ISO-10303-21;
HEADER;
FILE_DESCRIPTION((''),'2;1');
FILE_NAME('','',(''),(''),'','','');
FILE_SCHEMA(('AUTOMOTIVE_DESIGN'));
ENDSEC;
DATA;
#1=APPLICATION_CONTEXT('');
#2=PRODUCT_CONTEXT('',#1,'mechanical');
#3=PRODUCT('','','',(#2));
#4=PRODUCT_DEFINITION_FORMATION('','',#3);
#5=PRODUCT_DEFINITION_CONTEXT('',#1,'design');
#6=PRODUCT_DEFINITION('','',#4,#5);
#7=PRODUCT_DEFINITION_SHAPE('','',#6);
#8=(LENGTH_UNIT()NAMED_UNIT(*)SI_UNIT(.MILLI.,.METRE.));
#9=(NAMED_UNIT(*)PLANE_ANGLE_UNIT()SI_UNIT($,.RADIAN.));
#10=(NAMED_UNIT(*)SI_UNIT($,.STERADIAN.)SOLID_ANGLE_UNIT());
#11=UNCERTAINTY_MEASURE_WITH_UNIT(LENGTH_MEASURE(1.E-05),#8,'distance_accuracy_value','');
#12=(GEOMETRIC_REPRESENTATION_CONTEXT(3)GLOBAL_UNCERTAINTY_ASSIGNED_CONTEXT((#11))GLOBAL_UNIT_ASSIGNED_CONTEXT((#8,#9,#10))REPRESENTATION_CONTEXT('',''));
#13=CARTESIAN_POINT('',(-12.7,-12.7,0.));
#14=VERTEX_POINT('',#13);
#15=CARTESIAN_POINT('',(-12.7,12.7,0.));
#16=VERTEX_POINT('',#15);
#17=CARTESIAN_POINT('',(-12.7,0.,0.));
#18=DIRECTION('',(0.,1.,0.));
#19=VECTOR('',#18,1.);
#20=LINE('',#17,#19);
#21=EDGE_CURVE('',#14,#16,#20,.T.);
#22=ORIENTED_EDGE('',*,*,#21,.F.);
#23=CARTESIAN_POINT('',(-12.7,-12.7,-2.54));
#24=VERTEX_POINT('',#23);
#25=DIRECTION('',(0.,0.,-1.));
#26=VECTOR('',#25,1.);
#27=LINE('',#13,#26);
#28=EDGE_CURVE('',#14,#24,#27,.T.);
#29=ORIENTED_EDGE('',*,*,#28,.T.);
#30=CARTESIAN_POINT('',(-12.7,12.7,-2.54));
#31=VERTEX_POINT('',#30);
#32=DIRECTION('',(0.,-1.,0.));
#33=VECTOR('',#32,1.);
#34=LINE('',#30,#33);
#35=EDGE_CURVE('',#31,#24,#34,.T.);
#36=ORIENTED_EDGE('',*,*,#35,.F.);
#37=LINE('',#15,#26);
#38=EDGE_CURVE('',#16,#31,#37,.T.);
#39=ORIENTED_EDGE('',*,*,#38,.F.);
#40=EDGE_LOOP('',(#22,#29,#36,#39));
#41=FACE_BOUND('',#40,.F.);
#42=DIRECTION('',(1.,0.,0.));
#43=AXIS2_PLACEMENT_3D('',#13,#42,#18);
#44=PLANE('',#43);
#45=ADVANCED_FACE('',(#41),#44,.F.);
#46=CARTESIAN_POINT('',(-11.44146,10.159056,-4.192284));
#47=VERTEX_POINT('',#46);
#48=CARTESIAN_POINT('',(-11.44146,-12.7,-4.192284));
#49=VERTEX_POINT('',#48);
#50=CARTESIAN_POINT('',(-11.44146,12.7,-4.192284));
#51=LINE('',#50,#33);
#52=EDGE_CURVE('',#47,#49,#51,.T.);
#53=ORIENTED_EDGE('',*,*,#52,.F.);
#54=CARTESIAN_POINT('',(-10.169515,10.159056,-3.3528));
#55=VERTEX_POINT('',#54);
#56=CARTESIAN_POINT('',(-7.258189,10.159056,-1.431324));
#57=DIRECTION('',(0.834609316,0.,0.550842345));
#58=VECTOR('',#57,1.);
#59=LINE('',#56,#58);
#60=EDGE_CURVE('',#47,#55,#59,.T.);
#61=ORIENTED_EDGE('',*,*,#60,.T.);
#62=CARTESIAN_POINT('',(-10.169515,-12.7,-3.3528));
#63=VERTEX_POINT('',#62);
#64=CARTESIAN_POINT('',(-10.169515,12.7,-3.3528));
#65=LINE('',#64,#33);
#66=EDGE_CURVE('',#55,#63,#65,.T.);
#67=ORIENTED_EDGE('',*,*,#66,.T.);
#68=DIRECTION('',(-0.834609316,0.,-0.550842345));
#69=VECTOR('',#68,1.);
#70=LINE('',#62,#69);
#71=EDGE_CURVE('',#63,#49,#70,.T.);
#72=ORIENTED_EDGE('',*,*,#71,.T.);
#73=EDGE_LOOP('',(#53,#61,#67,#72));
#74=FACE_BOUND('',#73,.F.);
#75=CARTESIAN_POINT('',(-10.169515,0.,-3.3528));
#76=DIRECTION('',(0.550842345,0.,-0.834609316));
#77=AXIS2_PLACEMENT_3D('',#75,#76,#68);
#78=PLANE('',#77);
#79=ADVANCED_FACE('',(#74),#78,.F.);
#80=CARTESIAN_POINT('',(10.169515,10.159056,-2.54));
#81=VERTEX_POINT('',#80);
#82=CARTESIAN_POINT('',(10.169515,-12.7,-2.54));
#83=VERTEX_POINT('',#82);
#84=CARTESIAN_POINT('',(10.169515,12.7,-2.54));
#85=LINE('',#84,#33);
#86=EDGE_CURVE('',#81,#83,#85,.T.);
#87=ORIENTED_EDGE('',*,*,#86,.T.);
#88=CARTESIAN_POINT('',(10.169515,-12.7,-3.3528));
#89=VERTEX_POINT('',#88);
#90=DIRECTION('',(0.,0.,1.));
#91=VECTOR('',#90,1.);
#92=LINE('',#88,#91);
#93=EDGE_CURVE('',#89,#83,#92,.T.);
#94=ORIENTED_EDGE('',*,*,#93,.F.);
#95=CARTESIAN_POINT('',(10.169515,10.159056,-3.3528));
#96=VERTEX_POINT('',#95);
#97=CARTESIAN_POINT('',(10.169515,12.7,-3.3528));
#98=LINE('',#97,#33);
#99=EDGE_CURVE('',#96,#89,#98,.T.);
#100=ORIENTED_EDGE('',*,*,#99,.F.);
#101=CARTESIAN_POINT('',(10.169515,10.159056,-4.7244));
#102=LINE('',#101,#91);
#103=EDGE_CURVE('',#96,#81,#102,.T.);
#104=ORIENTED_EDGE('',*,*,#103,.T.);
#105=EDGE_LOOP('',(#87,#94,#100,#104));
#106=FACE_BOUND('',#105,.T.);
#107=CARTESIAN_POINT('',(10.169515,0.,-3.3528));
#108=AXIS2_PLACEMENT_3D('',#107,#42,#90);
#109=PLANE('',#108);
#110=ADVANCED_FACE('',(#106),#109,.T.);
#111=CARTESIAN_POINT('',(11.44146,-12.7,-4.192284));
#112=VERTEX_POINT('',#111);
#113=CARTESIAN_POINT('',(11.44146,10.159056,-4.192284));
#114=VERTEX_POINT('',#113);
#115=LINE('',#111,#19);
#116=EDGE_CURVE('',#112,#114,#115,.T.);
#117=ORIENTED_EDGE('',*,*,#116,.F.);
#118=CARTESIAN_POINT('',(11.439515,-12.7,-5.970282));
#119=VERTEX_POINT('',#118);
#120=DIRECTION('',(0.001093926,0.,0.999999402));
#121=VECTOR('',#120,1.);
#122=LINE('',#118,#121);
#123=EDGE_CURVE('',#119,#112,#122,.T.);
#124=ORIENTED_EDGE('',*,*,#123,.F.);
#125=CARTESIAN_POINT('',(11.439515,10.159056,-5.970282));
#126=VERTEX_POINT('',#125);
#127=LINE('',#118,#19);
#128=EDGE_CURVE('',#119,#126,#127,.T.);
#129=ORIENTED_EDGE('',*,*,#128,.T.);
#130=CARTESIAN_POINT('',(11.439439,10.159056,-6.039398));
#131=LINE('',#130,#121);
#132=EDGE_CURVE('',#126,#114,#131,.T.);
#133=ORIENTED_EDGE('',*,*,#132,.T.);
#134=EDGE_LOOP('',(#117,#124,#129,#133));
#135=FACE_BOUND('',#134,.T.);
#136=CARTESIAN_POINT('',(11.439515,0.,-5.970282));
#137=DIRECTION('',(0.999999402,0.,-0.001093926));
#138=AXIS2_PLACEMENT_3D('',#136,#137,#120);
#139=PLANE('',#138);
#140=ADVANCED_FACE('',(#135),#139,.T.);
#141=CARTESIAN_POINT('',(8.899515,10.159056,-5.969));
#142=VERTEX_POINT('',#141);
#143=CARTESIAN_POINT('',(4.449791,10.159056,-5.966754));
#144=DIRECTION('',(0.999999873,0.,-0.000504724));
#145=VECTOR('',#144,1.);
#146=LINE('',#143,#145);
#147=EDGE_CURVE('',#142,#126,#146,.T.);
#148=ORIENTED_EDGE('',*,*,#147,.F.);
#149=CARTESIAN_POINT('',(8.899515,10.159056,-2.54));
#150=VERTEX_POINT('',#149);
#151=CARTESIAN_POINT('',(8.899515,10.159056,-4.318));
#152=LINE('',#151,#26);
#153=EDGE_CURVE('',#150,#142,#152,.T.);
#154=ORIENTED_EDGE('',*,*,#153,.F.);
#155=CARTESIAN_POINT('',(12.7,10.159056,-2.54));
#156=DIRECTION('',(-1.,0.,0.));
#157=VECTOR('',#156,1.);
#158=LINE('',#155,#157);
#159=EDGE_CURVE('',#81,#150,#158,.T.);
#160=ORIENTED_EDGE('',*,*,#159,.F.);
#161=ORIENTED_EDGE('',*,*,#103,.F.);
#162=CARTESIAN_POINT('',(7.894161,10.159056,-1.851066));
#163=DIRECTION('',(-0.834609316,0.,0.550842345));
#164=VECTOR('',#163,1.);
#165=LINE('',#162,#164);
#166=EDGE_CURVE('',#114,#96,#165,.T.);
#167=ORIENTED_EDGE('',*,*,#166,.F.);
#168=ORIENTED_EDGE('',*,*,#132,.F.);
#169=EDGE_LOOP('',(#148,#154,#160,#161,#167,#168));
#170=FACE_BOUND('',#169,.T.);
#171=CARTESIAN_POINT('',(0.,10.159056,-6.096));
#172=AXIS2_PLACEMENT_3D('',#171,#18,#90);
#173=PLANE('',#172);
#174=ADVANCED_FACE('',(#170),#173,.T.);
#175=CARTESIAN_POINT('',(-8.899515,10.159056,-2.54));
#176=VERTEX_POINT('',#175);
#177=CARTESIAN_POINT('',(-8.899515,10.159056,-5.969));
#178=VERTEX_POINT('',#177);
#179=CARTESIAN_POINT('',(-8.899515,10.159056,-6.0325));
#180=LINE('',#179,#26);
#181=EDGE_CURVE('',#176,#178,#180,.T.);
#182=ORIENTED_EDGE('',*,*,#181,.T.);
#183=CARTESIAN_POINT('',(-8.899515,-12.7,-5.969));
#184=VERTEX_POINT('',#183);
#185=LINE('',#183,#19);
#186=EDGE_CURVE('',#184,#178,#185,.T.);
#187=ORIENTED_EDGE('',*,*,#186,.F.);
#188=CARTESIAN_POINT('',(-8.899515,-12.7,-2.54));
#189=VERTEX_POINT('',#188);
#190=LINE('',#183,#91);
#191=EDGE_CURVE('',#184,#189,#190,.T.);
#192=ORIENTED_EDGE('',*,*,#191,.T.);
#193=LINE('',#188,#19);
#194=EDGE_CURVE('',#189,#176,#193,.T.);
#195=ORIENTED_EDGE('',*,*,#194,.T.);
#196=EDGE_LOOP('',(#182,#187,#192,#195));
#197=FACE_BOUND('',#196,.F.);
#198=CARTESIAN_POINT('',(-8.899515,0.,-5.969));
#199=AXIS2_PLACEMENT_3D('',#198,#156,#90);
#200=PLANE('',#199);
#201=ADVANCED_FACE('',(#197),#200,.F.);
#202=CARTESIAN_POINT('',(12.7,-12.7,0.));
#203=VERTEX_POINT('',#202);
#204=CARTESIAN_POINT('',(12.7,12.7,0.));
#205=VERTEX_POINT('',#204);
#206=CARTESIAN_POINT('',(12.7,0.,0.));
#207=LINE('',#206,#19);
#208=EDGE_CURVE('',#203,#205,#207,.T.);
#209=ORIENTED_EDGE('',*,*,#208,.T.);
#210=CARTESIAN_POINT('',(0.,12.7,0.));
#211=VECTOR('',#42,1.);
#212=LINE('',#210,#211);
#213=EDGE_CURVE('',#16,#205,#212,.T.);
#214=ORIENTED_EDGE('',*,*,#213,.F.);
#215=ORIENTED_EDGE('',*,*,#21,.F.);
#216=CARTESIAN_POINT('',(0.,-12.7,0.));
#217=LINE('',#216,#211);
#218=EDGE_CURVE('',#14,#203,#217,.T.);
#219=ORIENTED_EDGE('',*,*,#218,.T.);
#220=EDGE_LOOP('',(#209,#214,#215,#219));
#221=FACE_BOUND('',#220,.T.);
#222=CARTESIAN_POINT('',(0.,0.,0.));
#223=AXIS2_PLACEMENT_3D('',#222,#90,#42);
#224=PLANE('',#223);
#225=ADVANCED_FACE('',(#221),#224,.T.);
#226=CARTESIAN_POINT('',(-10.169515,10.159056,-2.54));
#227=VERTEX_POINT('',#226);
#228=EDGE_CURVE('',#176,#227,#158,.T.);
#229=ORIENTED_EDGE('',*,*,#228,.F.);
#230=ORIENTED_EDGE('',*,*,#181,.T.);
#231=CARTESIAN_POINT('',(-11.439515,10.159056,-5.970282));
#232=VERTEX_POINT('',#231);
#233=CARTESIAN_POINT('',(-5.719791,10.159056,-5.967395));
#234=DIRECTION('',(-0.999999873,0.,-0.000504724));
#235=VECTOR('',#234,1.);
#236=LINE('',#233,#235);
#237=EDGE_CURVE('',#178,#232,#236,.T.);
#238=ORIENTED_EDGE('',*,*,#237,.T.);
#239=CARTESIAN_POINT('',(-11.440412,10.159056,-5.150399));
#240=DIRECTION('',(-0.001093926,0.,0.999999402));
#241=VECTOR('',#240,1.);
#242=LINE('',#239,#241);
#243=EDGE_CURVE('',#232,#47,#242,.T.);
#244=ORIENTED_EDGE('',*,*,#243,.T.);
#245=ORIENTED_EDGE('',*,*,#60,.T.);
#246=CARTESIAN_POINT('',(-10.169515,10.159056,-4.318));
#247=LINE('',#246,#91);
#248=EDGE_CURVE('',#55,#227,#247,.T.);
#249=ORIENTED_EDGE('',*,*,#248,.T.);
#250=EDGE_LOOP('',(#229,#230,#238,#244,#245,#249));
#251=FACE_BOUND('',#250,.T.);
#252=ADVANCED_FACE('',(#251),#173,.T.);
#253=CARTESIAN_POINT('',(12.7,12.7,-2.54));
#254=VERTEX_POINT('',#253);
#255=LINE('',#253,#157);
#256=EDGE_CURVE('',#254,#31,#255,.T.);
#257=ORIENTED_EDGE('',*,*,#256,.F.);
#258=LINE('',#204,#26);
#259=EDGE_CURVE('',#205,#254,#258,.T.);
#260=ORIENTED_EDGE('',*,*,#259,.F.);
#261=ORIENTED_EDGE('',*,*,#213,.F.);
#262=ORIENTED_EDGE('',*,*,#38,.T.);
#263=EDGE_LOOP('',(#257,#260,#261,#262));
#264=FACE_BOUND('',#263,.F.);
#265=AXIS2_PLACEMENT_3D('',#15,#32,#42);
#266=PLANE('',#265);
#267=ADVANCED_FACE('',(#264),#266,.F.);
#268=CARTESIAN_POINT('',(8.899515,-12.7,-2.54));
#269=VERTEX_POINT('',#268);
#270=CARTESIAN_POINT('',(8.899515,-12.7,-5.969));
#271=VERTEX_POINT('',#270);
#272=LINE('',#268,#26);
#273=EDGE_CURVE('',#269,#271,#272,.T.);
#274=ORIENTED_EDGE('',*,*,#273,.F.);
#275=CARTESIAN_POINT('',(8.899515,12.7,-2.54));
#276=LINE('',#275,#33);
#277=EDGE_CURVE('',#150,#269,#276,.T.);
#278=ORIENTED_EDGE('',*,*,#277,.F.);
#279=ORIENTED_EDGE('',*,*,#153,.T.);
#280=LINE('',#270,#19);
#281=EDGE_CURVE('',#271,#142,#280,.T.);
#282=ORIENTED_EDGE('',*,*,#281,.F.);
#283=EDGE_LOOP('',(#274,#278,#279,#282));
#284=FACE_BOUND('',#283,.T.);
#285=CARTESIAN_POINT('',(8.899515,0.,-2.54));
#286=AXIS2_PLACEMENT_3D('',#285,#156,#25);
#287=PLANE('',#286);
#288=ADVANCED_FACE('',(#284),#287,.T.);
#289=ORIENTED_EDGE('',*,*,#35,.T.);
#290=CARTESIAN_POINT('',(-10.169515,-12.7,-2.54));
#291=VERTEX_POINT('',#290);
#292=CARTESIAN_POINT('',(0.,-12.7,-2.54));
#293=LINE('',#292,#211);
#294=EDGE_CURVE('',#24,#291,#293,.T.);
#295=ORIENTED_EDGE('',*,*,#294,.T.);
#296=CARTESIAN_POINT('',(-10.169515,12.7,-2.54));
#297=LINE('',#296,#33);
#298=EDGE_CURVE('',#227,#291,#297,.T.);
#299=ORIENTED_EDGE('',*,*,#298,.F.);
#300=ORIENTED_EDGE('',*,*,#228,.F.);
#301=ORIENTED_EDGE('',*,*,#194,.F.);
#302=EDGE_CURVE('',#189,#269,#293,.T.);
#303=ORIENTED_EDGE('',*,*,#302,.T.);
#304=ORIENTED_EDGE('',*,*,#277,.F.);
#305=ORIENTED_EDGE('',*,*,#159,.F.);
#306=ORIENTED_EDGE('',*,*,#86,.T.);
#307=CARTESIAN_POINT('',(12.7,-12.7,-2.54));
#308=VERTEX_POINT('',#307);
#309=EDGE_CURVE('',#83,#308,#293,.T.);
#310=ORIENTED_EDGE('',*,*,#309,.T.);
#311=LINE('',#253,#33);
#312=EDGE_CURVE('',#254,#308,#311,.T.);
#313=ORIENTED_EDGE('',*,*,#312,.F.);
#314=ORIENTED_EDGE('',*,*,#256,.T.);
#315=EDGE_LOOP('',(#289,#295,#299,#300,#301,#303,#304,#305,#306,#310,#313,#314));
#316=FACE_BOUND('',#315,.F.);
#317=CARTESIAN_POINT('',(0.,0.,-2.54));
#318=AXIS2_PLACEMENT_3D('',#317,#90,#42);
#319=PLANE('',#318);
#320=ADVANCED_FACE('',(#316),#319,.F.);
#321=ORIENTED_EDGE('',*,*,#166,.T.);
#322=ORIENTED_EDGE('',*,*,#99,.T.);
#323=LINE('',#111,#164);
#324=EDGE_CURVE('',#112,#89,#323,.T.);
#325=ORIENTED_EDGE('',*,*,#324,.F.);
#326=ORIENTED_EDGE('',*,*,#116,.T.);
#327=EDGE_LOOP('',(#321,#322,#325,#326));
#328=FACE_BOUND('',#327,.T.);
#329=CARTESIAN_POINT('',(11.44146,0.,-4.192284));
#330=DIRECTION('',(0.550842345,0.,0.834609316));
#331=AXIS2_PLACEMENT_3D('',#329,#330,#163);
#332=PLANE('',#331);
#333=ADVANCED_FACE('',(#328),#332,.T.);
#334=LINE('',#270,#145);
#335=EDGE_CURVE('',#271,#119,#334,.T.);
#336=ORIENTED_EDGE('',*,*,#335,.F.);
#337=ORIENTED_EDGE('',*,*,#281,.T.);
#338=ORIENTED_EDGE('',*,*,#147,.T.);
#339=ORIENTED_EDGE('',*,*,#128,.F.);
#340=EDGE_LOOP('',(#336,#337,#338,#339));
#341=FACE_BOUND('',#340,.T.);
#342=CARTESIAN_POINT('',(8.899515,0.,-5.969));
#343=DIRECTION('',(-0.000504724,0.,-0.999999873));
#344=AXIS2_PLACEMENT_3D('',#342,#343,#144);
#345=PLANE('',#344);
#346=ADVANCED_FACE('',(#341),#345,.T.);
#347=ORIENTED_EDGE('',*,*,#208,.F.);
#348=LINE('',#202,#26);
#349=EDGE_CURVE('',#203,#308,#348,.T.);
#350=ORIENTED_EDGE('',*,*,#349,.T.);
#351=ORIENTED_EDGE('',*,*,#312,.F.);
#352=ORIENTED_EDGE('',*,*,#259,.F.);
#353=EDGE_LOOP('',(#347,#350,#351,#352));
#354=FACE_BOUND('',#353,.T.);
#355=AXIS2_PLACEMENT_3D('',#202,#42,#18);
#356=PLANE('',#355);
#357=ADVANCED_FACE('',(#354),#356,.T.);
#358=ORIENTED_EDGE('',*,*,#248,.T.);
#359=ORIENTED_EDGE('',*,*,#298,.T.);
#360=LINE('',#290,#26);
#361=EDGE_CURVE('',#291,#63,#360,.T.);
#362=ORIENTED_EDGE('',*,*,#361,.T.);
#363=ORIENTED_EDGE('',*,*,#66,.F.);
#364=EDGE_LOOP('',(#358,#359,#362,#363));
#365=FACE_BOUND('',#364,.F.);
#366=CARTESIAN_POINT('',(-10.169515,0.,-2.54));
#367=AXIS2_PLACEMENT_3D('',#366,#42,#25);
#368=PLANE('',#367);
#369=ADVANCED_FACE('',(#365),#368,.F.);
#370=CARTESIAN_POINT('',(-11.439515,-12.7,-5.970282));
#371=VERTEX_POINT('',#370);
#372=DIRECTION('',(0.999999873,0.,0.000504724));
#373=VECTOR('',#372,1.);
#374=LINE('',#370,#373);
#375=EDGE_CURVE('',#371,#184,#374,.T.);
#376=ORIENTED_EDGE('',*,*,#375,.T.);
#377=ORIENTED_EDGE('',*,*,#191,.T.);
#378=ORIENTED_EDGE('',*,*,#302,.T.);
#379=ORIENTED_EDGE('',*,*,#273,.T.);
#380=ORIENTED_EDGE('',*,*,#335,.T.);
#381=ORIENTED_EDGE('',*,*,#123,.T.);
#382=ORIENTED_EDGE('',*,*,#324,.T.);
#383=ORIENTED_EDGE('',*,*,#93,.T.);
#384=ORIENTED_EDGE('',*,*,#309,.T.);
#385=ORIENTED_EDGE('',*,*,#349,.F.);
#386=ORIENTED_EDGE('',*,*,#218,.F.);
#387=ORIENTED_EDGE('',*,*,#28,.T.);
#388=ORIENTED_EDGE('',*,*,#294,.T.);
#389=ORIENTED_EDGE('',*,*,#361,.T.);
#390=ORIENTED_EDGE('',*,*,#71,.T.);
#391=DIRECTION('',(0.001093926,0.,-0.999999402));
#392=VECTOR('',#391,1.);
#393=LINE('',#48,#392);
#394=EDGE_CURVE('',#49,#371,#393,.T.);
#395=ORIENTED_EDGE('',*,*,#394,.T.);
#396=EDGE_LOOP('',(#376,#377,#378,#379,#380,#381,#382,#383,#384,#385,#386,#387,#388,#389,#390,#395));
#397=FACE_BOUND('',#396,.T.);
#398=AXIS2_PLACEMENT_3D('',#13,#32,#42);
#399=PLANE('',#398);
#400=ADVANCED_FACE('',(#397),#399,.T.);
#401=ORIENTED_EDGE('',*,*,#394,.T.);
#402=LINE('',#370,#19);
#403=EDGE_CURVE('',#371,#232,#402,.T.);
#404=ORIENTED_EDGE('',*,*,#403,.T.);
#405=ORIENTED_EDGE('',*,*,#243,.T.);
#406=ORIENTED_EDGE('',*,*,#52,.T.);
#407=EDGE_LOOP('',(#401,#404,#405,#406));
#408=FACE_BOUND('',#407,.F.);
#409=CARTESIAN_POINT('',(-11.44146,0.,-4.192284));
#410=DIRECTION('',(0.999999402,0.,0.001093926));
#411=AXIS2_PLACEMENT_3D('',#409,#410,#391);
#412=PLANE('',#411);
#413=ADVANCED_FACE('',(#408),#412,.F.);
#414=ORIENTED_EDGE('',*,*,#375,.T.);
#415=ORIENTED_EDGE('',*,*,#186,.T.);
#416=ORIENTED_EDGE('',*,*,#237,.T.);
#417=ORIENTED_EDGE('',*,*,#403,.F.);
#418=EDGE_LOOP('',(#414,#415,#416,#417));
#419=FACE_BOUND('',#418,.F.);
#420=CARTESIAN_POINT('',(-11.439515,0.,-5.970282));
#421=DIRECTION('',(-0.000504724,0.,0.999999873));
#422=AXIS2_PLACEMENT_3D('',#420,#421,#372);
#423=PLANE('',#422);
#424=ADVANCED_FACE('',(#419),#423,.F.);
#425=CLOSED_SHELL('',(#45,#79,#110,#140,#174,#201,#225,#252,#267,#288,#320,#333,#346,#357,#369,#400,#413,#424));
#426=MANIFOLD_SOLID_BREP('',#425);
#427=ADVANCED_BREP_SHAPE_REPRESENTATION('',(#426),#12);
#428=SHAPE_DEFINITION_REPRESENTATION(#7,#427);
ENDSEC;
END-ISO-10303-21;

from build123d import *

# Parameters (mm, degrees)
F0_W     = 25.4
F0_H     = 25.4
F1_DEPTH = 2.54
F3_DEPTH = 12.7
F4_W     = 2.540944
F4_H     = 3.556
F5_DEPTH = 12.7


with BuildPart() as f1:
    # F0 (on Top) → F1 (new body)
    with BuildSketch(Plane.XY):
        Rectangle(F0_W, F0_H)
    extrude(amount=-F1_DEPTH)

    # F2 (on Front) → F3 (join, symmetric)
    with BuildSketch(Plane.XZ):
        Polygon((-8.899515, -2.54), (-10.169515, -2.54), (-10.169515, -3.3528), (-11.44146, -4.192284), (-11.439515, -5.970282), (-8.899515, -5.969), align=None)
        Polygon((11.44146, -4.192284), (10.169515, -3.3528), (10.169515, -2.54), (8.899515, -2.54), (8.899515, -5.969), (11.439515, -5.970282), align=None)
    extrude(amount=F3_DEPTH, both=True)

    # F4 (on Right) → F5 (cut, symmetric)
    with BuildSketch(Plane.YZ):
        with Locations((11.429528, -4.318)):
            Rectangle(F4_W, F4_H)
    extrude(amount=F5_DEPTH, both=True, mode=Mode.SUBTRACT)


solid = f1.part
